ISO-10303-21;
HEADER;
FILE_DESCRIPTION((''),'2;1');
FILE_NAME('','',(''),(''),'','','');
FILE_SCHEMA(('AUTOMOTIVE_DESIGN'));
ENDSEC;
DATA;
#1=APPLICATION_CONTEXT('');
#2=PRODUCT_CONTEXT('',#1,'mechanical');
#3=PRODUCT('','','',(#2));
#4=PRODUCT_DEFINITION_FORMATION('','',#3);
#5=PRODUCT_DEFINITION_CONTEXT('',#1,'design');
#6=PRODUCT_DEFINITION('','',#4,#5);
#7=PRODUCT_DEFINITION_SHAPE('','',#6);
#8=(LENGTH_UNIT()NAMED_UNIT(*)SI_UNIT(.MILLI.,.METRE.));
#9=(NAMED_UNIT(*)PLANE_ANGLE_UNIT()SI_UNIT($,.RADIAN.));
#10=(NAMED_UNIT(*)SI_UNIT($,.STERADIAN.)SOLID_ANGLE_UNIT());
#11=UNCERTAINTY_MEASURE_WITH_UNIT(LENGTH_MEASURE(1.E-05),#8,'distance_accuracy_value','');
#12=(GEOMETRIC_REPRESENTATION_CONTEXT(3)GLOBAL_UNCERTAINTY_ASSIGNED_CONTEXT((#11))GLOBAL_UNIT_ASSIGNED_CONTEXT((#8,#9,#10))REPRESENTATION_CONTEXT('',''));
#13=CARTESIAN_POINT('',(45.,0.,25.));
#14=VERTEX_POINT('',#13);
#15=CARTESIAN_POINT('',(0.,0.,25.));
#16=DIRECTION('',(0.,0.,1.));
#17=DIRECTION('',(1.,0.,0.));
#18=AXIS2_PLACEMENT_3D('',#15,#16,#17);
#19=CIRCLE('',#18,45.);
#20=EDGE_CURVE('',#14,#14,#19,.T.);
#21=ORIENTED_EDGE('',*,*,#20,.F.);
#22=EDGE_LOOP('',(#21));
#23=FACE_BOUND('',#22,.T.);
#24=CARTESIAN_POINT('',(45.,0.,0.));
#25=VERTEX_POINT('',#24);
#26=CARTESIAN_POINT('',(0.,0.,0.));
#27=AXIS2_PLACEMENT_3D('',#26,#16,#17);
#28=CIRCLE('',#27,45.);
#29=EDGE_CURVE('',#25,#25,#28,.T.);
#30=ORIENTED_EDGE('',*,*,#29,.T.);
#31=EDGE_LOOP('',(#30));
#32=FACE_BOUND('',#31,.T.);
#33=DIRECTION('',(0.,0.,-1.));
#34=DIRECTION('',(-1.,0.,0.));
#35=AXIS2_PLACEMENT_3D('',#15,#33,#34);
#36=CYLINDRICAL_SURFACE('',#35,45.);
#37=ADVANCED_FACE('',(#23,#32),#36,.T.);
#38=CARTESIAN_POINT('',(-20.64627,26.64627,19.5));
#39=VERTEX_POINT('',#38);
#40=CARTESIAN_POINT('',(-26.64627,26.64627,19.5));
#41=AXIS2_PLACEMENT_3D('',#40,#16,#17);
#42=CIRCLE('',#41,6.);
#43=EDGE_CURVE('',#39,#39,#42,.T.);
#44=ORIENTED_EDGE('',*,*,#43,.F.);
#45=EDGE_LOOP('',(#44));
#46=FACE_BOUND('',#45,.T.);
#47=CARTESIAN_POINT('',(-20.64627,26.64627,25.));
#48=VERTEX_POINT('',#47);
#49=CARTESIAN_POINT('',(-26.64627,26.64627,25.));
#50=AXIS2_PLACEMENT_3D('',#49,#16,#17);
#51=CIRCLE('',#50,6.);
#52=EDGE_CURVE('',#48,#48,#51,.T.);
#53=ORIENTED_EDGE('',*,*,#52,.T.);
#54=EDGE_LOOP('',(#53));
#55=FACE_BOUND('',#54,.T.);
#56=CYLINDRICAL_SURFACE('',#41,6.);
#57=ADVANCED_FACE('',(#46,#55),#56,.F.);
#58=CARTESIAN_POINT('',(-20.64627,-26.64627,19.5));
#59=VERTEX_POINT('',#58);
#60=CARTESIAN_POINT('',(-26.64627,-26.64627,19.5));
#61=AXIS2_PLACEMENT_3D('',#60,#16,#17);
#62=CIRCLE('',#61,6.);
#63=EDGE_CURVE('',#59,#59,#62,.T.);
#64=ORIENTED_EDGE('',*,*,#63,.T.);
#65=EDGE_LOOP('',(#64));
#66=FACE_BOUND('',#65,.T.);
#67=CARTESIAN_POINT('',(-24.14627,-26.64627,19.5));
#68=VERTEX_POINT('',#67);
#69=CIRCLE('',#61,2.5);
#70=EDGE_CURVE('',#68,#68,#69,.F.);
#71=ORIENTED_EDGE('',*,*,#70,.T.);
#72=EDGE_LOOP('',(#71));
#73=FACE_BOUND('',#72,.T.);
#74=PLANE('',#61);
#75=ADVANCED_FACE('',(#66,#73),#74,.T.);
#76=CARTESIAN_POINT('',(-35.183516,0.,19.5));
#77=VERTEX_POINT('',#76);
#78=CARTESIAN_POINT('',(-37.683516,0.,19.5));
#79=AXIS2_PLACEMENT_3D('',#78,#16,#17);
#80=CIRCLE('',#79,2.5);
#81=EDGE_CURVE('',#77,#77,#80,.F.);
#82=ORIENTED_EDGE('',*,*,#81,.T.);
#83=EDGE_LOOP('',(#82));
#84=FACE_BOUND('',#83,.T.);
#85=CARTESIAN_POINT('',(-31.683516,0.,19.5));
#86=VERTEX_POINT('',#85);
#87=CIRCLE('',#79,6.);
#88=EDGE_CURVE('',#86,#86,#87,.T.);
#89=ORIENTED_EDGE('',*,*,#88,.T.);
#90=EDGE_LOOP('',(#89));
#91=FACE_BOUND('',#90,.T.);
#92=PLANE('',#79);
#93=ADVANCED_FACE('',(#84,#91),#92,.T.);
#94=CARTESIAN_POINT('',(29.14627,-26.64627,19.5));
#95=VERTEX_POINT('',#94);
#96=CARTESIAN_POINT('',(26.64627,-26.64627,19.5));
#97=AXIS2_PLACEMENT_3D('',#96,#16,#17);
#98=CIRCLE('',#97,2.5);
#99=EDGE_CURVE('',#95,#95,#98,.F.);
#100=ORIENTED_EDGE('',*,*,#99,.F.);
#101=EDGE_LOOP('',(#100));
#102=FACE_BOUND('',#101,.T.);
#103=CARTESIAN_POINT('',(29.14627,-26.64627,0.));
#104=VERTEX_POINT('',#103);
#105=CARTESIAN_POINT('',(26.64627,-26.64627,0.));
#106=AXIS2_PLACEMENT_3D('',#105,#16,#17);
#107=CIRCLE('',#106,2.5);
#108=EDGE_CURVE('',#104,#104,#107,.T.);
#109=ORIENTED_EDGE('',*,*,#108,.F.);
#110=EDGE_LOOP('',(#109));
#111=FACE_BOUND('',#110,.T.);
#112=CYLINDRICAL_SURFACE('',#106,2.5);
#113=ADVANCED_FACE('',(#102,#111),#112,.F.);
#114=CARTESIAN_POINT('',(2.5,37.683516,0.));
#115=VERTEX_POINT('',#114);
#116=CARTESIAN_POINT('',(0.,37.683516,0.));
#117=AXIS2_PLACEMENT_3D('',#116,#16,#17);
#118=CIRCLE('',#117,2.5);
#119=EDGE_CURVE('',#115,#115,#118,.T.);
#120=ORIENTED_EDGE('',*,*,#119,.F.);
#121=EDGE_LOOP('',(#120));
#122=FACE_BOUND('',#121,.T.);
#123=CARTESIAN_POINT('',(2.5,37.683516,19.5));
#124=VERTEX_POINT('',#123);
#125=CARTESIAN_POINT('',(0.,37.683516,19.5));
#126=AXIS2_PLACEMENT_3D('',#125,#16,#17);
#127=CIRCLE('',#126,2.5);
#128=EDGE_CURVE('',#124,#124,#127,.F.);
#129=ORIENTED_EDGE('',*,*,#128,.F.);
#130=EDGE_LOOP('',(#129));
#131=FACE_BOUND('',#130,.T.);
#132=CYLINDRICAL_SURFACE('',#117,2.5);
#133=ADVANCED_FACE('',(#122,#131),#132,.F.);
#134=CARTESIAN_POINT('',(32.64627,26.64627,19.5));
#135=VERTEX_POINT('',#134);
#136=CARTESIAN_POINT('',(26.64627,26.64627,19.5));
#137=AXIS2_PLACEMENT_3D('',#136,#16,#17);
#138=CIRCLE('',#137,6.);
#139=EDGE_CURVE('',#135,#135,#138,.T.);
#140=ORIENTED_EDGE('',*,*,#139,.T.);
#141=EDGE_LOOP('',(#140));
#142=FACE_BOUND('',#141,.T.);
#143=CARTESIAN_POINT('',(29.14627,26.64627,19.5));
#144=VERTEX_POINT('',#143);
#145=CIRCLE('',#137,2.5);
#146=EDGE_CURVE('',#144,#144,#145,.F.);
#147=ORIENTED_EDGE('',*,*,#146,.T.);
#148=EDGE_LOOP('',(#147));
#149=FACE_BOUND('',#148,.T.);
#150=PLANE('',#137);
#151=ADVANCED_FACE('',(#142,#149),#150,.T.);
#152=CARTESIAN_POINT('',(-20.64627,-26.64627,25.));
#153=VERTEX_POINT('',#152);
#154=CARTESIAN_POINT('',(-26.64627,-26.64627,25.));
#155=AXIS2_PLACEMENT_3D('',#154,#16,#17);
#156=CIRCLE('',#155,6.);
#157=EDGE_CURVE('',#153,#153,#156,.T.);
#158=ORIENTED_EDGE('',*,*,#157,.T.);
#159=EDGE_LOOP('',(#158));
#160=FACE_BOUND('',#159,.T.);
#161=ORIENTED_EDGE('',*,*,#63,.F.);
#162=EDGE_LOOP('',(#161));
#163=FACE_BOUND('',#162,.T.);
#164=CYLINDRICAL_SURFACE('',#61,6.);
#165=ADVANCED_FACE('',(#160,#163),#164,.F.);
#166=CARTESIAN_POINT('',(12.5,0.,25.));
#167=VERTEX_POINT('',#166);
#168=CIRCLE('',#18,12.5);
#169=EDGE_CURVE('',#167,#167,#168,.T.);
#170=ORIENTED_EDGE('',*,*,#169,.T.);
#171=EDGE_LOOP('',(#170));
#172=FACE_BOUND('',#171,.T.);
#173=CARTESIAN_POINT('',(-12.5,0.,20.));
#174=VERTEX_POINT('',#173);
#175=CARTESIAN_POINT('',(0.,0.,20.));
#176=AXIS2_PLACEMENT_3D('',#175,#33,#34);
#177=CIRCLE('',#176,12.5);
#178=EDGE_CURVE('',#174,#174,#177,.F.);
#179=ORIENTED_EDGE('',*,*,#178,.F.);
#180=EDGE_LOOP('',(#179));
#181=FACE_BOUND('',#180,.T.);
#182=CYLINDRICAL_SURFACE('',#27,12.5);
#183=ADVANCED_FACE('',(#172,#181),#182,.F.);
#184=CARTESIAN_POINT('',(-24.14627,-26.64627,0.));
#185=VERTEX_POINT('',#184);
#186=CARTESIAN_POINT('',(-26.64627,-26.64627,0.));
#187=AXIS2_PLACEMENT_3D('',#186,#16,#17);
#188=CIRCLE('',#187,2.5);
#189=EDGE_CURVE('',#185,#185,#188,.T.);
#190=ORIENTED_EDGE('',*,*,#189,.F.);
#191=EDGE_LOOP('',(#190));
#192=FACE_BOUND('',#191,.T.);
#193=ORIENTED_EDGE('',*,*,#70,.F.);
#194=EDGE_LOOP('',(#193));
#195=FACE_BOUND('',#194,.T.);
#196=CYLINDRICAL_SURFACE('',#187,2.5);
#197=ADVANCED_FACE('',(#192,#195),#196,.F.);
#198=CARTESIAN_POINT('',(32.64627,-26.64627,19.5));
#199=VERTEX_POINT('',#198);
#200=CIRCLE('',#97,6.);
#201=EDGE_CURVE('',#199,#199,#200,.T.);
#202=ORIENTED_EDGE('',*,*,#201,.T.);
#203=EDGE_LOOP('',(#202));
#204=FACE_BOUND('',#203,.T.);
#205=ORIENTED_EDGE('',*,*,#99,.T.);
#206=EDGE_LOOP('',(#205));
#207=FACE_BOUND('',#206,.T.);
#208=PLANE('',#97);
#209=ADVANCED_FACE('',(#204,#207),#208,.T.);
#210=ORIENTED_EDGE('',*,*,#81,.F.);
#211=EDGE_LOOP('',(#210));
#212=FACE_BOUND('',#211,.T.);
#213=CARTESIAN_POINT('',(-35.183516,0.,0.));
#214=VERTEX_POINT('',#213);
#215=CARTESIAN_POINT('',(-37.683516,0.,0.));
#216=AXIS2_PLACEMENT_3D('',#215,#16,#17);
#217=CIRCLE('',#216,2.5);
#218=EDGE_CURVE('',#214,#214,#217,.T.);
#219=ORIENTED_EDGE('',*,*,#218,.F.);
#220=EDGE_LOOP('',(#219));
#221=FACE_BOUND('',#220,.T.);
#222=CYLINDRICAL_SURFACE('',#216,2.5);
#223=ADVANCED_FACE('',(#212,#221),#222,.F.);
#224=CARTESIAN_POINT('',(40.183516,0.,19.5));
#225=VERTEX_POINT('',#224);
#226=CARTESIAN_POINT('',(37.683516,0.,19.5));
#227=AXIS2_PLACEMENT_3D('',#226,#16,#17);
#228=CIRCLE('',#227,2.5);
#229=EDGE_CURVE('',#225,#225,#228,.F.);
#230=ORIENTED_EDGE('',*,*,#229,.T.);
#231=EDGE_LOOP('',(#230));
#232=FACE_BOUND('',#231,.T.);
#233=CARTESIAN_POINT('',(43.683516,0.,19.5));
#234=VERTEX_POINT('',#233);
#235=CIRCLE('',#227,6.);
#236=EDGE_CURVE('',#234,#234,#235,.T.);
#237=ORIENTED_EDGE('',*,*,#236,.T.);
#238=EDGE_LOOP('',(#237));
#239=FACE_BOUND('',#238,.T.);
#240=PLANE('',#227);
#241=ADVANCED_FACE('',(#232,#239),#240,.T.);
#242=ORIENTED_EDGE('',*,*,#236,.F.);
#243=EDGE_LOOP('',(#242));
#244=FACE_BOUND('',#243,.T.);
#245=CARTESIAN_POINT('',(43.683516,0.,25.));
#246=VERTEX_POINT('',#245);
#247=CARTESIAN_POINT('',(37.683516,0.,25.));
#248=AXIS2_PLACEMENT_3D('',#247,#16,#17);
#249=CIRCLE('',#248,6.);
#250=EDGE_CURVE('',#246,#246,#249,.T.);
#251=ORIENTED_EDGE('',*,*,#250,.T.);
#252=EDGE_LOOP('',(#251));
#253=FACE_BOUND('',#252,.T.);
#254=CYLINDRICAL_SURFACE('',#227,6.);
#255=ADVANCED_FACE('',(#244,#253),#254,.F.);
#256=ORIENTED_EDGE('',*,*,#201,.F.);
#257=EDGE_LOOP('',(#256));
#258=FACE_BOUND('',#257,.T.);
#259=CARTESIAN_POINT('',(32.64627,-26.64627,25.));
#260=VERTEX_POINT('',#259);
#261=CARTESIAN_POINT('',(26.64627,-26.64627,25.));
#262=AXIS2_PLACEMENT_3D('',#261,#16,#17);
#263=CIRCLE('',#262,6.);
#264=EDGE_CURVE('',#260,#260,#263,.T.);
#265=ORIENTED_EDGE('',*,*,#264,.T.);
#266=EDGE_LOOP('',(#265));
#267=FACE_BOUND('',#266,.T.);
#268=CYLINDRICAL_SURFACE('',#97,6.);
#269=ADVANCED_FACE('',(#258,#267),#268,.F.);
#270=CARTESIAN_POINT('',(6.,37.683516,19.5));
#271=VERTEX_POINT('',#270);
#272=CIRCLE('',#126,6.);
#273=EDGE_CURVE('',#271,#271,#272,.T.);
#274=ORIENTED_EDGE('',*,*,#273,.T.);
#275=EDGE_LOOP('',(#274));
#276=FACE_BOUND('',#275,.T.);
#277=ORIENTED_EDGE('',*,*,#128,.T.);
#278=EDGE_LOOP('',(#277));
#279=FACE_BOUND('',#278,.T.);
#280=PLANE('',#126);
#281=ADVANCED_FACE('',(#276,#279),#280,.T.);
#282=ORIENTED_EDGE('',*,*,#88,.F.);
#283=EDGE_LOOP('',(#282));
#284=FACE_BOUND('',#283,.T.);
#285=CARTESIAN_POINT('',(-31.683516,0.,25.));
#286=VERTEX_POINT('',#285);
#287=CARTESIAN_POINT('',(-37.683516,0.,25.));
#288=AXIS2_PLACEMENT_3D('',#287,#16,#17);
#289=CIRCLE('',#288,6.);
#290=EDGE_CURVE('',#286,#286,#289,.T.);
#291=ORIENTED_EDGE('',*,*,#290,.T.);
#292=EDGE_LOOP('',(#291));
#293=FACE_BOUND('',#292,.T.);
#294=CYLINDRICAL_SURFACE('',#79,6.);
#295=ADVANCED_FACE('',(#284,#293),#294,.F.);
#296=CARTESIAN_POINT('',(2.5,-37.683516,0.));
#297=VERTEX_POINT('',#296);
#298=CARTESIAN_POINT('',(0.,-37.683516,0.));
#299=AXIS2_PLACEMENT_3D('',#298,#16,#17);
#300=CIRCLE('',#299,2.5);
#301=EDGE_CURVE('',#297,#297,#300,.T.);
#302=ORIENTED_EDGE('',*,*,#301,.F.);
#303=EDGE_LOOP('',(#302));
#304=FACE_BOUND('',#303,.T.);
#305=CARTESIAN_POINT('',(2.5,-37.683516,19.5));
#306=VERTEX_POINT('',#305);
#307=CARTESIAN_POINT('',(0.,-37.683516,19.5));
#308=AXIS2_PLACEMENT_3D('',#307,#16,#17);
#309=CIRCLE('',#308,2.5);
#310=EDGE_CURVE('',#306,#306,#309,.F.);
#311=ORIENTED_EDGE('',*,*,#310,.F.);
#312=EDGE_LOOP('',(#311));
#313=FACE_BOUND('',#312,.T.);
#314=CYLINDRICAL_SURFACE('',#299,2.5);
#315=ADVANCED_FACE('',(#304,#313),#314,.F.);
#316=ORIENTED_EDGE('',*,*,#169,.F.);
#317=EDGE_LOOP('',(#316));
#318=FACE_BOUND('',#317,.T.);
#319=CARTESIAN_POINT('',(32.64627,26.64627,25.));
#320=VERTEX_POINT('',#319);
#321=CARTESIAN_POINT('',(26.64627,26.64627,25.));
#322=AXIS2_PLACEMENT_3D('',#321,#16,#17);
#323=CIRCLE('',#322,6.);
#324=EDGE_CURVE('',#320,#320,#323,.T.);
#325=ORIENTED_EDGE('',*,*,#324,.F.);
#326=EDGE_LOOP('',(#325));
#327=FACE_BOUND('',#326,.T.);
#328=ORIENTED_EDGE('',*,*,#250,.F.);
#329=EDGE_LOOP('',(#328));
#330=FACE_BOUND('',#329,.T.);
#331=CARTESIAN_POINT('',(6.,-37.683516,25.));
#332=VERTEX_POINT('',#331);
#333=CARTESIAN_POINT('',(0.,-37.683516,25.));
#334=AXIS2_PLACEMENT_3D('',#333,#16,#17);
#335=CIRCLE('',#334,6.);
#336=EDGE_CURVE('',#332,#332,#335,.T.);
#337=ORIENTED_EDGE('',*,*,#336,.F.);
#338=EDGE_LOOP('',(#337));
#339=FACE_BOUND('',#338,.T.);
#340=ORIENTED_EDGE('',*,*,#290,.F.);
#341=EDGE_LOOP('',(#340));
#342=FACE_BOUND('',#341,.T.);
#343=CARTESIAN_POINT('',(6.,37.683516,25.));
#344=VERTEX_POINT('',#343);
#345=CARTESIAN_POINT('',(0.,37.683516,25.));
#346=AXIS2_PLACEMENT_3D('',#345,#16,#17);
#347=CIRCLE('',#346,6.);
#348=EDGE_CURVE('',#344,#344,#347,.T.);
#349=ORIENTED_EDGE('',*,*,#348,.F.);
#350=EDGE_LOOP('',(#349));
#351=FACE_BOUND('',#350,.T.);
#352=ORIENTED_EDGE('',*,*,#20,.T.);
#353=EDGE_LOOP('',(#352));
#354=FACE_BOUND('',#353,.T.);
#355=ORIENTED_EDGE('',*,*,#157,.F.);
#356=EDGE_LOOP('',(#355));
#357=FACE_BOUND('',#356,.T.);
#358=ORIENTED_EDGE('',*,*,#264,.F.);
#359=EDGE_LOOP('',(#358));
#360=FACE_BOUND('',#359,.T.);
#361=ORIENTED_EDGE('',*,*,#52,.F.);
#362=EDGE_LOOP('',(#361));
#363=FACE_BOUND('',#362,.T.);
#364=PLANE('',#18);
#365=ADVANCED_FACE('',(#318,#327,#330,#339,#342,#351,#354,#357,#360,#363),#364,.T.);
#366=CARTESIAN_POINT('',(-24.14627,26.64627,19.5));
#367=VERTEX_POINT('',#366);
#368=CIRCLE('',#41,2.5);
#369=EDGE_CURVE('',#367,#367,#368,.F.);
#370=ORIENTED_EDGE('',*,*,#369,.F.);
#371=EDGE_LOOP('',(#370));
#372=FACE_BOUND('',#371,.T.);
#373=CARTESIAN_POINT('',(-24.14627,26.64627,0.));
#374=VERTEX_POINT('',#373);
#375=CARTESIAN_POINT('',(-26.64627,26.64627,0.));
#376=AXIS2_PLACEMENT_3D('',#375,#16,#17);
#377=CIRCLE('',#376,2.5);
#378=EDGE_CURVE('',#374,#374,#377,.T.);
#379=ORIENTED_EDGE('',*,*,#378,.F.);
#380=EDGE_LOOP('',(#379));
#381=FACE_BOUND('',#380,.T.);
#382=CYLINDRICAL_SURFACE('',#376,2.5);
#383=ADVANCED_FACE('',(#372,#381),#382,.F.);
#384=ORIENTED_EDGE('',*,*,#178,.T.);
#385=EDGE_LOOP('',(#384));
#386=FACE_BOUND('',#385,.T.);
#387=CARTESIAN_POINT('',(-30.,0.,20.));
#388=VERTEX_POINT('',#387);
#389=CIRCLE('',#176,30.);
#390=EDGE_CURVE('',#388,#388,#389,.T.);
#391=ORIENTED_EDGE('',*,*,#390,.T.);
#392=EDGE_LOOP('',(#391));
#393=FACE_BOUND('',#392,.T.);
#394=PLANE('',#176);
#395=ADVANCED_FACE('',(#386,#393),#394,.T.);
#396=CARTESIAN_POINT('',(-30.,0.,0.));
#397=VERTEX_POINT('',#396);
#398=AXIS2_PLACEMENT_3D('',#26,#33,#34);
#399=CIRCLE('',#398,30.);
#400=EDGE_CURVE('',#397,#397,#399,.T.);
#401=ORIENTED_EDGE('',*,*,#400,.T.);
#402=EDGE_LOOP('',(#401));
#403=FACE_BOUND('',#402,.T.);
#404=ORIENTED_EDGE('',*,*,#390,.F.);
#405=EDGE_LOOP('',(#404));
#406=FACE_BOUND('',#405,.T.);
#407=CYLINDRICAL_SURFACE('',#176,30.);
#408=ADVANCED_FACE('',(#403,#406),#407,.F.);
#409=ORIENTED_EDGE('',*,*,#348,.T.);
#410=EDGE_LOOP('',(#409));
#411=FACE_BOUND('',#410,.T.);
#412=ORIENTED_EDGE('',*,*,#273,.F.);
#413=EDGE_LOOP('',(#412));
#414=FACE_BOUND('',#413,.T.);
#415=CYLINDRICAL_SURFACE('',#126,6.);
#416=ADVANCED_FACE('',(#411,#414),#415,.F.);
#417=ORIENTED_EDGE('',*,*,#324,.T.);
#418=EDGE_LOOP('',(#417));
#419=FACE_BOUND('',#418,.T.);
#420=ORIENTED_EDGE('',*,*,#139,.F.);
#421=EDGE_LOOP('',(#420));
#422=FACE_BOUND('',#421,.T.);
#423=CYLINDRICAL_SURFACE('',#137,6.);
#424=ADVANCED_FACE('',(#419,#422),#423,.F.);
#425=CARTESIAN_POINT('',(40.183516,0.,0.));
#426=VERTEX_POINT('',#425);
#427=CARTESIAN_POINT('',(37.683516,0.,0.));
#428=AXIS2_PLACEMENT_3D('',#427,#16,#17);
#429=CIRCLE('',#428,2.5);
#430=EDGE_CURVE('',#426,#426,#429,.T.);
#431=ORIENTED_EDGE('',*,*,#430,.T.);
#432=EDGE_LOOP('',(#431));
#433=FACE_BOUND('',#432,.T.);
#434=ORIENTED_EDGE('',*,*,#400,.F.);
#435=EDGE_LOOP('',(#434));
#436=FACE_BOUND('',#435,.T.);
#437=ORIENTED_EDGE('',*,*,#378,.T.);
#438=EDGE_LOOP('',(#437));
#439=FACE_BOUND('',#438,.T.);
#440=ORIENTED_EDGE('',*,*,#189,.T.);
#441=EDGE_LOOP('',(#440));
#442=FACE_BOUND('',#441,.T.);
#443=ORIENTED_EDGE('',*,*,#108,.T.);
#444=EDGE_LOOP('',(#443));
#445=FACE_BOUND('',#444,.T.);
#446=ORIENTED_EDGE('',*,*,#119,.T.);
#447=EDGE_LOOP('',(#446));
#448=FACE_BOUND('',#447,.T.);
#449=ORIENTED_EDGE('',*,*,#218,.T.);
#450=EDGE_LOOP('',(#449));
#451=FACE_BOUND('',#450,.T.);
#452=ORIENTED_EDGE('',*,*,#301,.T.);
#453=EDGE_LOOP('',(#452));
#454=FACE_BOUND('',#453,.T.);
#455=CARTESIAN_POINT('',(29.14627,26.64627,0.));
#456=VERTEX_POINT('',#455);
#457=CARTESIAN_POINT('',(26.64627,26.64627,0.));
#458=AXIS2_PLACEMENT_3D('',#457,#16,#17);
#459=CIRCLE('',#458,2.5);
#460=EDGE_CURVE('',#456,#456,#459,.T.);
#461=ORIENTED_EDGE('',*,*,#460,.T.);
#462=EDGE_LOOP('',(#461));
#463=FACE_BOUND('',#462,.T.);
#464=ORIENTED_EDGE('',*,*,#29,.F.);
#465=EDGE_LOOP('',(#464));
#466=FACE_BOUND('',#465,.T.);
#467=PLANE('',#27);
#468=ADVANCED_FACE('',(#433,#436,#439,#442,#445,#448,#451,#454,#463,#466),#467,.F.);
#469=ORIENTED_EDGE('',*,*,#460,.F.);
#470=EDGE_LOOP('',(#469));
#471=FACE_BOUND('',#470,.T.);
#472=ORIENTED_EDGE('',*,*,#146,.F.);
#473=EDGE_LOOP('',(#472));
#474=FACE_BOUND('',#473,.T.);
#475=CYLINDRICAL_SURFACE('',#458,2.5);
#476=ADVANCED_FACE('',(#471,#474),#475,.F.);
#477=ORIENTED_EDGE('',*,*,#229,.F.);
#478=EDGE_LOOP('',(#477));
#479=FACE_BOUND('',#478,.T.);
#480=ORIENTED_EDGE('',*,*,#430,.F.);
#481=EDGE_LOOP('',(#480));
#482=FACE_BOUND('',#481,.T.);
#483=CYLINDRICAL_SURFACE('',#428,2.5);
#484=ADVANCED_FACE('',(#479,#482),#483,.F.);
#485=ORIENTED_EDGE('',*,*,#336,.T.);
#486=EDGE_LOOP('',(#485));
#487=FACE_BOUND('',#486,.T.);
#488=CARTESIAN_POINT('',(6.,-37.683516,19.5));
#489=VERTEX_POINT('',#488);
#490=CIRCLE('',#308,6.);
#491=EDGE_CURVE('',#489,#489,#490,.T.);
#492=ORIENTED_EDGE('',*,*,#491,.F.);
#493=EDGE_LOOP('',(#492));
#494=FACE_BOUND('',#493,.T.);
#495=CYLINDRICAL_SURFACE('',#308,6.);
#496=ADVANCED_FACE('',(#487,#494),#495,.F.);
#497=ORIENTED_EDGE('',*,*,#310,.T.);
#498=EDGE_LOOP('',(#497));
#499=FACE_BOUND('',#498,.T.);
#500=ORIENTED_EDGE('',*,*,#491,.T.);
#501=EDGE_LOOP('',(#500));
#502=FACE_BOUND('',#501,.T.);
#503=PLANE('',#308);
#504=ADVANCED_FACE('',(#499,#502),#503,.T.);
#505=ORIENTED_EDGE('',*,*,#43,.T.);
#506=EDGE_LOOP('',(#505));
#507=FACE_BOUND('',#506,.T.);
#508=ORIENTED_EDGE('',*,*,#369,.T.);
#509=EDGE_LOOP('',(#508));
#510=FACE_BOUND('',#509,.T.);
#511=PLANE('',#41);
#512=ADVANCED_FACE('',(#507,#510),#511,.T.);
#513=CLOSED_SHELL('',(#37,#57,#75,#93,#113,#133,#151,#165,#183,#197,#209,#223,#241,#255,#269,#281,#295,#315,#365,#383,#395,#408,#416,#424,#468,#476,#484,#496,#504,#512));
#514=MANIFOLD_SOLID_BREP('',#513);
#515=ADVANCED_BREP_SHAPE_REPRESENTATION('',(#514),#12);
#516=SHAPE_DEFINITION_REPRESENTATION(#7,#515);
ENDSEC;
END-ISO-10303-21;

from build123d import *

# Parameters (mm, degrees)
SKETCH_1_R          = 45
EXTRUDE_1_DEPTH     = 25
SKETCH_2_R          = 12.5
CUT_EXTRUDE_2_DEPTH = 69.373971656
SKETCH_3_R          = 30
CUT_EXTRUDE_3_DEPTH = 20
SKETCH_4_R          = 2.5
CUT_EXTRUDE_4_DEPTH = 69.373971656
SKETCH_6_R          = 6
CUT_EXTRUDE_5_DEPTH = 5.5


with BuildPart() as part:
    # Эскиз1 → Вытянуть1 (new body)
    with BuildSketch(Plane.XY):
        Circle(SKETCH_1_R)
    extrude(amount=EXTRUDE_1_DEPTH)

    # Эскиз2 → Вытянуть2 (cut, through all)
    with BuildSketch(Plane.XY.offset(25)):
        Circle(SKETCH_2_R)
    extrude(amount=-CUT_EXTRUDE_2_DEPTH, mode=Mode.SUBTRACT)

    # Эскиз3 → Вытянуть3 (cut)
    with BuildSketch(Plane(origin=(0, 0, 0), x_dir=(-1, 0, 0), z_dir=(0, 0, -1))):
        Circle(SKETCH_3_R)
    extrude(amount=-CUT_EXTRUDE_3_DEPTH, mode=Mode.SUBTRACT)

    # Эскиз4 → Вытянуть4 (cut, through all)
    with BuildSketch(Plane.XY.offset(25)):
        with Locations((0, 37.683516186)):
            Circle(SKETCH_4_R)
        with Locations((26.646269834, 26.646269834)):
            Circle(SKETCH_4_R)
        with Locations((37.683516186, 0)):
            Circle(SKETCH_4_R)
        with Locations((26.646269834, -26.646269834)):
            Circle(SKETCH_4_R)
        with Locations((0, -37.683516186)):
            Circle(SKETCH_4_R)
        with Locations((-26.646269834, -26.646269834)):
            Circle(SKETCH_4_R)
        with Locations((-37.683516186, 0)):
            Circle(SKETCH_4_R)
        with Locations((-26.646269834, 26.646269834)):
            Circle(SKETCH_4_R)
    extrude(amount=-CUT_EXTRUDE_4_DEPTH, mode=Mode.SUBTRACT)

    # Эскиз6 → Вытянуть5 (cut)
    with BuildSketch(Plane.XY.offset(25)):
        with Locations((0, 37.683516186)):
            Circle(SKETCH_6_R)
        with Locations((26.646269834, 26.646269834)):
            Circle(SKETCH_6_R)
        with Locations((37.683516186, 0)):
            Circle(SKETCH_6_R)
        with Locations((26.646269834, -26.646269834)):
            Circle(SKETCH_6_R)
        with Locations((0, -37.683516186)):
            Circle(SKETCH_6_R)
        with Locations((-26.646269834, -26.646269834)):
            Circle(SKETCH_6_R)
        with Locations((-37.683516186, 0)):
            Circle(SKETCH_6_R)
        with Locations((-26.646269834, 26.646269834)):
            Circle(SKETCH_6_R)
    extrude(amount=-CUT_EXTRUDE_5_DEPTH, mode=Mode.SUBTRACT)


solid = part.part
